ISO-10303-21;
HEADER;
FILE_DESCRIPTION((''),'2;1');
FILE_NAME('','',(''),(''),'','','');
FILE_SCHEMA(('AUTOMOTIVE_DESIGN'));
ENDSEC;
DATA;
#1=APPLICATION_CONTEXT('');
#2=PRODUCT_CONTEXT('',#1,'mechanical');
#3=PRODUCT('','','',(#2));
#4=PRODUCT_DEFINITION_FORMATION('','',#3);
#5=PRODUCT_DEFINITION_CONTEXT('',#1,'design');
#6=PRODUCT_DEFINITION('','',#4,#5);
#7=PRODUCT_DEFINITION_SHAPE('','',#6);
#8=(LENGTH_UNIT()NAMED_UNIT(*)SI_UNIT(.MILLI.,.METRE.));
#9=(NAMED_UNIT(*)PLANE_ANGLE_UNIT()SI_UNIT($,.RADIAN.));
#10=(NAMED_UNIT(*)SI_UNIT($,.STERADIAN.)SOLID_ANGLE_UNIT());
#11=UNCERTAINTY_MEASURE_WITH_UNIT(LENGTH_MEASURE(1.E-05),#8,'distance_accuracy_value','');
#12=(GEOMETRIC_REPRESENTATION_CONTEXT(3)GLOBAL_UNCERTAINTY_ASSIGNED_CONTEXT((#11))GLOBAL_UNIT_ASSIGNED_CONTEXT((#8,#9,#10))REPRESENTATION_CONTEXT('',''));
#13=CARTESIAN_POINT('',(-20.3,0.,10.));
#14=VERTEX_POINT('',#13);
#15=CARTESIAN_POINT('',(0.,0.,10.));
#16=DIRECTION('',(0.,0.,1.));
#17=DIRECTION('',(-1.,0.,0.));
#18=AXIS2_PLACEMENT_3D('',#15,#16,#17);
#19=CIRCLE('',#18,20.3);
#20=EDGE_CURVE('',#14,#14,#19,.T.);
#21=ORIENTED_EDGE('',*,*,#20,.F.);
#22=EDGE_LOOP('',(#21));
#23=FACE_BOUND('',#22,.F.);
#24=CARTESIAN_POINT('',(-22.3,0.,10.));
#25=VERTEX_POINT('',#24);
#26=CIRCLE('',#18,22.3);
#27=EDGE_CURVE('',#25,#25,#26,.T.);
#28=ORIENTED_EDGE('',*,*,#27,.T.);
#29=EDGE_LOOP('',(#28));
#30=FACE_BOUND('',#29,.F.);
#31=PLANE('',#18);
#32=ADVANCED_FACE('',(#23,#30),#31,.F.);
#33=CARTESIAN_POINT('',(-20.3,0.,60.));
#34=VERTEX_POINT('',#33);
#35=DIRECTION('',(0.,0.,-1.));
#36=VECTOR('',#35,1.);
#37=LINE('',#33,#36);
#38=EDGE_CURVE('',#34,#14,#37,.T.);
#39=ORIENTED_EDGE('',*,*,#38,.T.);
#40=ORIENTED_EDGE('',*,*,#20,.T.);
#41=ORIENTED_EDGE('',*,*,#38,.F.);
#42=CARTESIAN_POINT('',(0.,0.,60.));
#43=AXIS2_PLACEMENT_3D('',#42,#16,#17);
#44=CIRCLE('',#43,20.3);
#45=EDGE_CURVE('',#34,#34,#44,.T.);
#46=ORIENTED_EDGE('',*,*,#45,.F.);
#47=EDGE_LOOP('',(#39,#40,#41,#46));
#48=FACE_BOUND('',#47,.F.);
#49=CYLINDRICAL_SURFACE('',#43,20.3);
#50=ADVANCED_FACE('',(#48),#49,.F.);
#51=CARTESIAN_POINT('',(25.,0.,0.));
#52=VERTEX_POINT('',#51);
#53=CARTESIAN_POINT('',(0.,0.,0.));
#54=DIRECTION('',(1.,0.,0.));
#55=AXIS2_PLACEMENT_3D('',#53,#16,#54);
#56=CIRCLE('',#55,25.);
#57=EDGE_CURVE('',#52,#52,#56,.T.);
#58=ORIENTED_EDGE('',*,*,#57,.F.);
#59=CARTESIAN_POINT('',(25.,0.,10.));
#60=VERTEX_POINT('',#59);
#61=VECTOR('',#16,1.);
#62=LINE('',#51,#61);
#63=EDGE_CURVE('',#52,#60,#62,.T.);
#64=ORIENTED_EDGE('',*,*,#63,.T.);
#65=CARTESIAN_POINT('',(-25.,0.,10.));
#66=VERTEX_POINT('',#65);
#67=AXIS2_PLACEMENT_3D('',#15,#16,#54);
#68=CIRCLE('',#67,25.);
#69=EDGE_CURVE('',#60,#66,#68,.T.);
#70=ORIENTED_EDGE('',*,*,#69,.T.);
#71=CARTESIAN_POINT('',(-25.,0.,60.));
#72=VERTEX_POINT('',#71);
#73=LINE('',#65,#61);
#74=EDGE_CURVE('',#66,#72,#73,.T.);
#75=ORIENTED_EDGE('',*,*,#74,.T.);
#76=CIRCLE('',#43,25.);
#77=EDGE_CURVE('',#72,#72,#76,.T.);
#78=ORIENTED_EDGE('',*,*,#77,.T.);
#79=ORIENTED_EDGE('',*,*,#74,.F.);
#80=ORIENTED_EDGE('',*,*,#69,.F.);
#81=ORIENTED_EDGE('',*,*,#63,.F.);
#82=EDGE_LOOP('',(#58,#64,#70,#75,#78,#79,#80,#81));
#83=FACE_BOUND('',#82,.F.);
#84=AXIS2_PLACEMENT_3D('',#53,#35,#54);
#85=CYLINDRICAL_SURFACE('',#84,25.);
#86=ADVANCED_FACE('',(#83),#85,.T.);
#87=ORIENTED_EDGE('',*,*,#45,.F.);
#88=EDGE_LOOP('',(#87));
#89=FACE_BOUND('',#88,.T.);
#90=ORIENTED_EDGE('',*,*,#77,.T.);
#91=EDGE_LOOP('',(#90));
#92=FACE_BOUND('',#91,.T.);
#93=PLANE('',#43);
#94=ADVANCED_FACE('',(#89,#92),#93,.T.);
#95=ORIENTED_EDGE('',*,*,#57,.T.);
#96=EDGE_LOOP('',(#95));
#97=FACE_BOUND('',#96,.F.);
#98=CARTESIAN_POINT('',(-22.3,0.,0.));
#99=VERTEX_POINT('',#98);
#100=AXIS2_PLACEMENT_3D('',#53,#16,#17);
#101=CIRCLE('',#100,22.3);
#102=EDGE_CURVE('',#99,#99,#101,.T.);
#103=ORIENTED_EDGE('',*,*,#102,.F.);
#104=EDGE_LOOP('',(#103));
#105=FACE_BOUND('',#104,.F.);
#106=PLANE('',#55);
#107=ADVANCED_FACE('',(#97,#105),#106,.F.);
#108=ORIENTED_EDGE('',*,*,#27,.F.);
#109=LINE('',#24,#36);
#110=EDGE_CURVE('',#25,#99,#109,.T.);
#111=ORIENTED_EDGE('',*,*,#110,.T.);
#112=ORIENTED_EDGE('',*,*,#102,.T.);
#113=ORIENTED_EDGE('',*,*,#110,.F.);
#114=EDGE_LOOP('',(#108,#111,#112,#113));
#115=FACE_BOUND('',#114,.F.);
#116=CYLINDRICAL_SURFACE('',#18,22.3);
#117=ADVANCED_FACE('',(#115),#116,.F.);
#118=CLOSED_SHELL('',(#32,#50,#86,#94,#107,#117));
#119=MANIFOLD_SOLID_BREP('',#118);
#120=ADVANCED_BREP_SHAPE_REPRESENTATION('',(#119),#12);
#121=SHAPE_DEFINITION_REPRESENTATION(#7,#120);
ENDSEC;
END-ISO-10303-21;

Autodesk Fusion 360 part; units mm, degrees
sketch "Sketch1" plane through (0, 0, 0) normal (0, 0, 1) x (1, 0, 0)
  circle A0 centre (0, 0) radius 25
  dimension "d5" = 50
extrude "Extrude1" add sketch "Sketch1" along normal blind 10
sketch "Sketch2" plane through (0, 0, 10) normal (0, 0, 1) x (-1, 0, 0)
  circle A0 centre (0, 0) radius 25
  circle A1 centre (0, 0) radius 22.3
  dimension "d8" = 44.6
extrude "Extrude2" cut sketch "Sketch2" against normal blind 10 contours A1
sketch "Sketch3" plane through (0, 0, 10) normal (0, 0, 1) x (-1, 0, 0)
  circle A0 centre (0, 0) radius 22.3
  circle A1 centre (0, 0) radius 25
  circle A2 centre (0, 0) radius 25
extrude "Extrude3" add sketch "Sketch3" along normal blind 50 contours A0 | A1 A2
sketch "Sketch4" plane through (0, 0, 60) normal (0, 0, 1) x (-1, 0, 0)
  circle A0 centre (0, 0) radius 25
  circle A1 centre (0, 0) radius 20.3
  dimension "d13" = 40.6
extrude "Extrude4" cut sketch "Sketch4" against normal blind 50 contours A1
sketch "Sketch5" plane through (0, 0, 60) normal (0, 0, 1) x (-1, 0, 0)
  circle A0 centre (0, 0) radius 20.3
  circle A1 centre (0, 0) radius 25
  circle A2 centre (0, 0) radius 23.3
  dimension "d16" = 46.6
equation "LowerInnerDiam = 44 mm"
equation "Thickness = 3 mm"
equation "UpperInner = 40 mm"
equation "Tol = 0.6 mm"
equation "d5 = LowerInnerDiam + 2 * Thickness"
equation "d8 = LowerInnerDiam + Tol"
equation "d13 = 40 mm + Tol"
equation "d16 = UpperInner + Tol + 2 * Thickness"
